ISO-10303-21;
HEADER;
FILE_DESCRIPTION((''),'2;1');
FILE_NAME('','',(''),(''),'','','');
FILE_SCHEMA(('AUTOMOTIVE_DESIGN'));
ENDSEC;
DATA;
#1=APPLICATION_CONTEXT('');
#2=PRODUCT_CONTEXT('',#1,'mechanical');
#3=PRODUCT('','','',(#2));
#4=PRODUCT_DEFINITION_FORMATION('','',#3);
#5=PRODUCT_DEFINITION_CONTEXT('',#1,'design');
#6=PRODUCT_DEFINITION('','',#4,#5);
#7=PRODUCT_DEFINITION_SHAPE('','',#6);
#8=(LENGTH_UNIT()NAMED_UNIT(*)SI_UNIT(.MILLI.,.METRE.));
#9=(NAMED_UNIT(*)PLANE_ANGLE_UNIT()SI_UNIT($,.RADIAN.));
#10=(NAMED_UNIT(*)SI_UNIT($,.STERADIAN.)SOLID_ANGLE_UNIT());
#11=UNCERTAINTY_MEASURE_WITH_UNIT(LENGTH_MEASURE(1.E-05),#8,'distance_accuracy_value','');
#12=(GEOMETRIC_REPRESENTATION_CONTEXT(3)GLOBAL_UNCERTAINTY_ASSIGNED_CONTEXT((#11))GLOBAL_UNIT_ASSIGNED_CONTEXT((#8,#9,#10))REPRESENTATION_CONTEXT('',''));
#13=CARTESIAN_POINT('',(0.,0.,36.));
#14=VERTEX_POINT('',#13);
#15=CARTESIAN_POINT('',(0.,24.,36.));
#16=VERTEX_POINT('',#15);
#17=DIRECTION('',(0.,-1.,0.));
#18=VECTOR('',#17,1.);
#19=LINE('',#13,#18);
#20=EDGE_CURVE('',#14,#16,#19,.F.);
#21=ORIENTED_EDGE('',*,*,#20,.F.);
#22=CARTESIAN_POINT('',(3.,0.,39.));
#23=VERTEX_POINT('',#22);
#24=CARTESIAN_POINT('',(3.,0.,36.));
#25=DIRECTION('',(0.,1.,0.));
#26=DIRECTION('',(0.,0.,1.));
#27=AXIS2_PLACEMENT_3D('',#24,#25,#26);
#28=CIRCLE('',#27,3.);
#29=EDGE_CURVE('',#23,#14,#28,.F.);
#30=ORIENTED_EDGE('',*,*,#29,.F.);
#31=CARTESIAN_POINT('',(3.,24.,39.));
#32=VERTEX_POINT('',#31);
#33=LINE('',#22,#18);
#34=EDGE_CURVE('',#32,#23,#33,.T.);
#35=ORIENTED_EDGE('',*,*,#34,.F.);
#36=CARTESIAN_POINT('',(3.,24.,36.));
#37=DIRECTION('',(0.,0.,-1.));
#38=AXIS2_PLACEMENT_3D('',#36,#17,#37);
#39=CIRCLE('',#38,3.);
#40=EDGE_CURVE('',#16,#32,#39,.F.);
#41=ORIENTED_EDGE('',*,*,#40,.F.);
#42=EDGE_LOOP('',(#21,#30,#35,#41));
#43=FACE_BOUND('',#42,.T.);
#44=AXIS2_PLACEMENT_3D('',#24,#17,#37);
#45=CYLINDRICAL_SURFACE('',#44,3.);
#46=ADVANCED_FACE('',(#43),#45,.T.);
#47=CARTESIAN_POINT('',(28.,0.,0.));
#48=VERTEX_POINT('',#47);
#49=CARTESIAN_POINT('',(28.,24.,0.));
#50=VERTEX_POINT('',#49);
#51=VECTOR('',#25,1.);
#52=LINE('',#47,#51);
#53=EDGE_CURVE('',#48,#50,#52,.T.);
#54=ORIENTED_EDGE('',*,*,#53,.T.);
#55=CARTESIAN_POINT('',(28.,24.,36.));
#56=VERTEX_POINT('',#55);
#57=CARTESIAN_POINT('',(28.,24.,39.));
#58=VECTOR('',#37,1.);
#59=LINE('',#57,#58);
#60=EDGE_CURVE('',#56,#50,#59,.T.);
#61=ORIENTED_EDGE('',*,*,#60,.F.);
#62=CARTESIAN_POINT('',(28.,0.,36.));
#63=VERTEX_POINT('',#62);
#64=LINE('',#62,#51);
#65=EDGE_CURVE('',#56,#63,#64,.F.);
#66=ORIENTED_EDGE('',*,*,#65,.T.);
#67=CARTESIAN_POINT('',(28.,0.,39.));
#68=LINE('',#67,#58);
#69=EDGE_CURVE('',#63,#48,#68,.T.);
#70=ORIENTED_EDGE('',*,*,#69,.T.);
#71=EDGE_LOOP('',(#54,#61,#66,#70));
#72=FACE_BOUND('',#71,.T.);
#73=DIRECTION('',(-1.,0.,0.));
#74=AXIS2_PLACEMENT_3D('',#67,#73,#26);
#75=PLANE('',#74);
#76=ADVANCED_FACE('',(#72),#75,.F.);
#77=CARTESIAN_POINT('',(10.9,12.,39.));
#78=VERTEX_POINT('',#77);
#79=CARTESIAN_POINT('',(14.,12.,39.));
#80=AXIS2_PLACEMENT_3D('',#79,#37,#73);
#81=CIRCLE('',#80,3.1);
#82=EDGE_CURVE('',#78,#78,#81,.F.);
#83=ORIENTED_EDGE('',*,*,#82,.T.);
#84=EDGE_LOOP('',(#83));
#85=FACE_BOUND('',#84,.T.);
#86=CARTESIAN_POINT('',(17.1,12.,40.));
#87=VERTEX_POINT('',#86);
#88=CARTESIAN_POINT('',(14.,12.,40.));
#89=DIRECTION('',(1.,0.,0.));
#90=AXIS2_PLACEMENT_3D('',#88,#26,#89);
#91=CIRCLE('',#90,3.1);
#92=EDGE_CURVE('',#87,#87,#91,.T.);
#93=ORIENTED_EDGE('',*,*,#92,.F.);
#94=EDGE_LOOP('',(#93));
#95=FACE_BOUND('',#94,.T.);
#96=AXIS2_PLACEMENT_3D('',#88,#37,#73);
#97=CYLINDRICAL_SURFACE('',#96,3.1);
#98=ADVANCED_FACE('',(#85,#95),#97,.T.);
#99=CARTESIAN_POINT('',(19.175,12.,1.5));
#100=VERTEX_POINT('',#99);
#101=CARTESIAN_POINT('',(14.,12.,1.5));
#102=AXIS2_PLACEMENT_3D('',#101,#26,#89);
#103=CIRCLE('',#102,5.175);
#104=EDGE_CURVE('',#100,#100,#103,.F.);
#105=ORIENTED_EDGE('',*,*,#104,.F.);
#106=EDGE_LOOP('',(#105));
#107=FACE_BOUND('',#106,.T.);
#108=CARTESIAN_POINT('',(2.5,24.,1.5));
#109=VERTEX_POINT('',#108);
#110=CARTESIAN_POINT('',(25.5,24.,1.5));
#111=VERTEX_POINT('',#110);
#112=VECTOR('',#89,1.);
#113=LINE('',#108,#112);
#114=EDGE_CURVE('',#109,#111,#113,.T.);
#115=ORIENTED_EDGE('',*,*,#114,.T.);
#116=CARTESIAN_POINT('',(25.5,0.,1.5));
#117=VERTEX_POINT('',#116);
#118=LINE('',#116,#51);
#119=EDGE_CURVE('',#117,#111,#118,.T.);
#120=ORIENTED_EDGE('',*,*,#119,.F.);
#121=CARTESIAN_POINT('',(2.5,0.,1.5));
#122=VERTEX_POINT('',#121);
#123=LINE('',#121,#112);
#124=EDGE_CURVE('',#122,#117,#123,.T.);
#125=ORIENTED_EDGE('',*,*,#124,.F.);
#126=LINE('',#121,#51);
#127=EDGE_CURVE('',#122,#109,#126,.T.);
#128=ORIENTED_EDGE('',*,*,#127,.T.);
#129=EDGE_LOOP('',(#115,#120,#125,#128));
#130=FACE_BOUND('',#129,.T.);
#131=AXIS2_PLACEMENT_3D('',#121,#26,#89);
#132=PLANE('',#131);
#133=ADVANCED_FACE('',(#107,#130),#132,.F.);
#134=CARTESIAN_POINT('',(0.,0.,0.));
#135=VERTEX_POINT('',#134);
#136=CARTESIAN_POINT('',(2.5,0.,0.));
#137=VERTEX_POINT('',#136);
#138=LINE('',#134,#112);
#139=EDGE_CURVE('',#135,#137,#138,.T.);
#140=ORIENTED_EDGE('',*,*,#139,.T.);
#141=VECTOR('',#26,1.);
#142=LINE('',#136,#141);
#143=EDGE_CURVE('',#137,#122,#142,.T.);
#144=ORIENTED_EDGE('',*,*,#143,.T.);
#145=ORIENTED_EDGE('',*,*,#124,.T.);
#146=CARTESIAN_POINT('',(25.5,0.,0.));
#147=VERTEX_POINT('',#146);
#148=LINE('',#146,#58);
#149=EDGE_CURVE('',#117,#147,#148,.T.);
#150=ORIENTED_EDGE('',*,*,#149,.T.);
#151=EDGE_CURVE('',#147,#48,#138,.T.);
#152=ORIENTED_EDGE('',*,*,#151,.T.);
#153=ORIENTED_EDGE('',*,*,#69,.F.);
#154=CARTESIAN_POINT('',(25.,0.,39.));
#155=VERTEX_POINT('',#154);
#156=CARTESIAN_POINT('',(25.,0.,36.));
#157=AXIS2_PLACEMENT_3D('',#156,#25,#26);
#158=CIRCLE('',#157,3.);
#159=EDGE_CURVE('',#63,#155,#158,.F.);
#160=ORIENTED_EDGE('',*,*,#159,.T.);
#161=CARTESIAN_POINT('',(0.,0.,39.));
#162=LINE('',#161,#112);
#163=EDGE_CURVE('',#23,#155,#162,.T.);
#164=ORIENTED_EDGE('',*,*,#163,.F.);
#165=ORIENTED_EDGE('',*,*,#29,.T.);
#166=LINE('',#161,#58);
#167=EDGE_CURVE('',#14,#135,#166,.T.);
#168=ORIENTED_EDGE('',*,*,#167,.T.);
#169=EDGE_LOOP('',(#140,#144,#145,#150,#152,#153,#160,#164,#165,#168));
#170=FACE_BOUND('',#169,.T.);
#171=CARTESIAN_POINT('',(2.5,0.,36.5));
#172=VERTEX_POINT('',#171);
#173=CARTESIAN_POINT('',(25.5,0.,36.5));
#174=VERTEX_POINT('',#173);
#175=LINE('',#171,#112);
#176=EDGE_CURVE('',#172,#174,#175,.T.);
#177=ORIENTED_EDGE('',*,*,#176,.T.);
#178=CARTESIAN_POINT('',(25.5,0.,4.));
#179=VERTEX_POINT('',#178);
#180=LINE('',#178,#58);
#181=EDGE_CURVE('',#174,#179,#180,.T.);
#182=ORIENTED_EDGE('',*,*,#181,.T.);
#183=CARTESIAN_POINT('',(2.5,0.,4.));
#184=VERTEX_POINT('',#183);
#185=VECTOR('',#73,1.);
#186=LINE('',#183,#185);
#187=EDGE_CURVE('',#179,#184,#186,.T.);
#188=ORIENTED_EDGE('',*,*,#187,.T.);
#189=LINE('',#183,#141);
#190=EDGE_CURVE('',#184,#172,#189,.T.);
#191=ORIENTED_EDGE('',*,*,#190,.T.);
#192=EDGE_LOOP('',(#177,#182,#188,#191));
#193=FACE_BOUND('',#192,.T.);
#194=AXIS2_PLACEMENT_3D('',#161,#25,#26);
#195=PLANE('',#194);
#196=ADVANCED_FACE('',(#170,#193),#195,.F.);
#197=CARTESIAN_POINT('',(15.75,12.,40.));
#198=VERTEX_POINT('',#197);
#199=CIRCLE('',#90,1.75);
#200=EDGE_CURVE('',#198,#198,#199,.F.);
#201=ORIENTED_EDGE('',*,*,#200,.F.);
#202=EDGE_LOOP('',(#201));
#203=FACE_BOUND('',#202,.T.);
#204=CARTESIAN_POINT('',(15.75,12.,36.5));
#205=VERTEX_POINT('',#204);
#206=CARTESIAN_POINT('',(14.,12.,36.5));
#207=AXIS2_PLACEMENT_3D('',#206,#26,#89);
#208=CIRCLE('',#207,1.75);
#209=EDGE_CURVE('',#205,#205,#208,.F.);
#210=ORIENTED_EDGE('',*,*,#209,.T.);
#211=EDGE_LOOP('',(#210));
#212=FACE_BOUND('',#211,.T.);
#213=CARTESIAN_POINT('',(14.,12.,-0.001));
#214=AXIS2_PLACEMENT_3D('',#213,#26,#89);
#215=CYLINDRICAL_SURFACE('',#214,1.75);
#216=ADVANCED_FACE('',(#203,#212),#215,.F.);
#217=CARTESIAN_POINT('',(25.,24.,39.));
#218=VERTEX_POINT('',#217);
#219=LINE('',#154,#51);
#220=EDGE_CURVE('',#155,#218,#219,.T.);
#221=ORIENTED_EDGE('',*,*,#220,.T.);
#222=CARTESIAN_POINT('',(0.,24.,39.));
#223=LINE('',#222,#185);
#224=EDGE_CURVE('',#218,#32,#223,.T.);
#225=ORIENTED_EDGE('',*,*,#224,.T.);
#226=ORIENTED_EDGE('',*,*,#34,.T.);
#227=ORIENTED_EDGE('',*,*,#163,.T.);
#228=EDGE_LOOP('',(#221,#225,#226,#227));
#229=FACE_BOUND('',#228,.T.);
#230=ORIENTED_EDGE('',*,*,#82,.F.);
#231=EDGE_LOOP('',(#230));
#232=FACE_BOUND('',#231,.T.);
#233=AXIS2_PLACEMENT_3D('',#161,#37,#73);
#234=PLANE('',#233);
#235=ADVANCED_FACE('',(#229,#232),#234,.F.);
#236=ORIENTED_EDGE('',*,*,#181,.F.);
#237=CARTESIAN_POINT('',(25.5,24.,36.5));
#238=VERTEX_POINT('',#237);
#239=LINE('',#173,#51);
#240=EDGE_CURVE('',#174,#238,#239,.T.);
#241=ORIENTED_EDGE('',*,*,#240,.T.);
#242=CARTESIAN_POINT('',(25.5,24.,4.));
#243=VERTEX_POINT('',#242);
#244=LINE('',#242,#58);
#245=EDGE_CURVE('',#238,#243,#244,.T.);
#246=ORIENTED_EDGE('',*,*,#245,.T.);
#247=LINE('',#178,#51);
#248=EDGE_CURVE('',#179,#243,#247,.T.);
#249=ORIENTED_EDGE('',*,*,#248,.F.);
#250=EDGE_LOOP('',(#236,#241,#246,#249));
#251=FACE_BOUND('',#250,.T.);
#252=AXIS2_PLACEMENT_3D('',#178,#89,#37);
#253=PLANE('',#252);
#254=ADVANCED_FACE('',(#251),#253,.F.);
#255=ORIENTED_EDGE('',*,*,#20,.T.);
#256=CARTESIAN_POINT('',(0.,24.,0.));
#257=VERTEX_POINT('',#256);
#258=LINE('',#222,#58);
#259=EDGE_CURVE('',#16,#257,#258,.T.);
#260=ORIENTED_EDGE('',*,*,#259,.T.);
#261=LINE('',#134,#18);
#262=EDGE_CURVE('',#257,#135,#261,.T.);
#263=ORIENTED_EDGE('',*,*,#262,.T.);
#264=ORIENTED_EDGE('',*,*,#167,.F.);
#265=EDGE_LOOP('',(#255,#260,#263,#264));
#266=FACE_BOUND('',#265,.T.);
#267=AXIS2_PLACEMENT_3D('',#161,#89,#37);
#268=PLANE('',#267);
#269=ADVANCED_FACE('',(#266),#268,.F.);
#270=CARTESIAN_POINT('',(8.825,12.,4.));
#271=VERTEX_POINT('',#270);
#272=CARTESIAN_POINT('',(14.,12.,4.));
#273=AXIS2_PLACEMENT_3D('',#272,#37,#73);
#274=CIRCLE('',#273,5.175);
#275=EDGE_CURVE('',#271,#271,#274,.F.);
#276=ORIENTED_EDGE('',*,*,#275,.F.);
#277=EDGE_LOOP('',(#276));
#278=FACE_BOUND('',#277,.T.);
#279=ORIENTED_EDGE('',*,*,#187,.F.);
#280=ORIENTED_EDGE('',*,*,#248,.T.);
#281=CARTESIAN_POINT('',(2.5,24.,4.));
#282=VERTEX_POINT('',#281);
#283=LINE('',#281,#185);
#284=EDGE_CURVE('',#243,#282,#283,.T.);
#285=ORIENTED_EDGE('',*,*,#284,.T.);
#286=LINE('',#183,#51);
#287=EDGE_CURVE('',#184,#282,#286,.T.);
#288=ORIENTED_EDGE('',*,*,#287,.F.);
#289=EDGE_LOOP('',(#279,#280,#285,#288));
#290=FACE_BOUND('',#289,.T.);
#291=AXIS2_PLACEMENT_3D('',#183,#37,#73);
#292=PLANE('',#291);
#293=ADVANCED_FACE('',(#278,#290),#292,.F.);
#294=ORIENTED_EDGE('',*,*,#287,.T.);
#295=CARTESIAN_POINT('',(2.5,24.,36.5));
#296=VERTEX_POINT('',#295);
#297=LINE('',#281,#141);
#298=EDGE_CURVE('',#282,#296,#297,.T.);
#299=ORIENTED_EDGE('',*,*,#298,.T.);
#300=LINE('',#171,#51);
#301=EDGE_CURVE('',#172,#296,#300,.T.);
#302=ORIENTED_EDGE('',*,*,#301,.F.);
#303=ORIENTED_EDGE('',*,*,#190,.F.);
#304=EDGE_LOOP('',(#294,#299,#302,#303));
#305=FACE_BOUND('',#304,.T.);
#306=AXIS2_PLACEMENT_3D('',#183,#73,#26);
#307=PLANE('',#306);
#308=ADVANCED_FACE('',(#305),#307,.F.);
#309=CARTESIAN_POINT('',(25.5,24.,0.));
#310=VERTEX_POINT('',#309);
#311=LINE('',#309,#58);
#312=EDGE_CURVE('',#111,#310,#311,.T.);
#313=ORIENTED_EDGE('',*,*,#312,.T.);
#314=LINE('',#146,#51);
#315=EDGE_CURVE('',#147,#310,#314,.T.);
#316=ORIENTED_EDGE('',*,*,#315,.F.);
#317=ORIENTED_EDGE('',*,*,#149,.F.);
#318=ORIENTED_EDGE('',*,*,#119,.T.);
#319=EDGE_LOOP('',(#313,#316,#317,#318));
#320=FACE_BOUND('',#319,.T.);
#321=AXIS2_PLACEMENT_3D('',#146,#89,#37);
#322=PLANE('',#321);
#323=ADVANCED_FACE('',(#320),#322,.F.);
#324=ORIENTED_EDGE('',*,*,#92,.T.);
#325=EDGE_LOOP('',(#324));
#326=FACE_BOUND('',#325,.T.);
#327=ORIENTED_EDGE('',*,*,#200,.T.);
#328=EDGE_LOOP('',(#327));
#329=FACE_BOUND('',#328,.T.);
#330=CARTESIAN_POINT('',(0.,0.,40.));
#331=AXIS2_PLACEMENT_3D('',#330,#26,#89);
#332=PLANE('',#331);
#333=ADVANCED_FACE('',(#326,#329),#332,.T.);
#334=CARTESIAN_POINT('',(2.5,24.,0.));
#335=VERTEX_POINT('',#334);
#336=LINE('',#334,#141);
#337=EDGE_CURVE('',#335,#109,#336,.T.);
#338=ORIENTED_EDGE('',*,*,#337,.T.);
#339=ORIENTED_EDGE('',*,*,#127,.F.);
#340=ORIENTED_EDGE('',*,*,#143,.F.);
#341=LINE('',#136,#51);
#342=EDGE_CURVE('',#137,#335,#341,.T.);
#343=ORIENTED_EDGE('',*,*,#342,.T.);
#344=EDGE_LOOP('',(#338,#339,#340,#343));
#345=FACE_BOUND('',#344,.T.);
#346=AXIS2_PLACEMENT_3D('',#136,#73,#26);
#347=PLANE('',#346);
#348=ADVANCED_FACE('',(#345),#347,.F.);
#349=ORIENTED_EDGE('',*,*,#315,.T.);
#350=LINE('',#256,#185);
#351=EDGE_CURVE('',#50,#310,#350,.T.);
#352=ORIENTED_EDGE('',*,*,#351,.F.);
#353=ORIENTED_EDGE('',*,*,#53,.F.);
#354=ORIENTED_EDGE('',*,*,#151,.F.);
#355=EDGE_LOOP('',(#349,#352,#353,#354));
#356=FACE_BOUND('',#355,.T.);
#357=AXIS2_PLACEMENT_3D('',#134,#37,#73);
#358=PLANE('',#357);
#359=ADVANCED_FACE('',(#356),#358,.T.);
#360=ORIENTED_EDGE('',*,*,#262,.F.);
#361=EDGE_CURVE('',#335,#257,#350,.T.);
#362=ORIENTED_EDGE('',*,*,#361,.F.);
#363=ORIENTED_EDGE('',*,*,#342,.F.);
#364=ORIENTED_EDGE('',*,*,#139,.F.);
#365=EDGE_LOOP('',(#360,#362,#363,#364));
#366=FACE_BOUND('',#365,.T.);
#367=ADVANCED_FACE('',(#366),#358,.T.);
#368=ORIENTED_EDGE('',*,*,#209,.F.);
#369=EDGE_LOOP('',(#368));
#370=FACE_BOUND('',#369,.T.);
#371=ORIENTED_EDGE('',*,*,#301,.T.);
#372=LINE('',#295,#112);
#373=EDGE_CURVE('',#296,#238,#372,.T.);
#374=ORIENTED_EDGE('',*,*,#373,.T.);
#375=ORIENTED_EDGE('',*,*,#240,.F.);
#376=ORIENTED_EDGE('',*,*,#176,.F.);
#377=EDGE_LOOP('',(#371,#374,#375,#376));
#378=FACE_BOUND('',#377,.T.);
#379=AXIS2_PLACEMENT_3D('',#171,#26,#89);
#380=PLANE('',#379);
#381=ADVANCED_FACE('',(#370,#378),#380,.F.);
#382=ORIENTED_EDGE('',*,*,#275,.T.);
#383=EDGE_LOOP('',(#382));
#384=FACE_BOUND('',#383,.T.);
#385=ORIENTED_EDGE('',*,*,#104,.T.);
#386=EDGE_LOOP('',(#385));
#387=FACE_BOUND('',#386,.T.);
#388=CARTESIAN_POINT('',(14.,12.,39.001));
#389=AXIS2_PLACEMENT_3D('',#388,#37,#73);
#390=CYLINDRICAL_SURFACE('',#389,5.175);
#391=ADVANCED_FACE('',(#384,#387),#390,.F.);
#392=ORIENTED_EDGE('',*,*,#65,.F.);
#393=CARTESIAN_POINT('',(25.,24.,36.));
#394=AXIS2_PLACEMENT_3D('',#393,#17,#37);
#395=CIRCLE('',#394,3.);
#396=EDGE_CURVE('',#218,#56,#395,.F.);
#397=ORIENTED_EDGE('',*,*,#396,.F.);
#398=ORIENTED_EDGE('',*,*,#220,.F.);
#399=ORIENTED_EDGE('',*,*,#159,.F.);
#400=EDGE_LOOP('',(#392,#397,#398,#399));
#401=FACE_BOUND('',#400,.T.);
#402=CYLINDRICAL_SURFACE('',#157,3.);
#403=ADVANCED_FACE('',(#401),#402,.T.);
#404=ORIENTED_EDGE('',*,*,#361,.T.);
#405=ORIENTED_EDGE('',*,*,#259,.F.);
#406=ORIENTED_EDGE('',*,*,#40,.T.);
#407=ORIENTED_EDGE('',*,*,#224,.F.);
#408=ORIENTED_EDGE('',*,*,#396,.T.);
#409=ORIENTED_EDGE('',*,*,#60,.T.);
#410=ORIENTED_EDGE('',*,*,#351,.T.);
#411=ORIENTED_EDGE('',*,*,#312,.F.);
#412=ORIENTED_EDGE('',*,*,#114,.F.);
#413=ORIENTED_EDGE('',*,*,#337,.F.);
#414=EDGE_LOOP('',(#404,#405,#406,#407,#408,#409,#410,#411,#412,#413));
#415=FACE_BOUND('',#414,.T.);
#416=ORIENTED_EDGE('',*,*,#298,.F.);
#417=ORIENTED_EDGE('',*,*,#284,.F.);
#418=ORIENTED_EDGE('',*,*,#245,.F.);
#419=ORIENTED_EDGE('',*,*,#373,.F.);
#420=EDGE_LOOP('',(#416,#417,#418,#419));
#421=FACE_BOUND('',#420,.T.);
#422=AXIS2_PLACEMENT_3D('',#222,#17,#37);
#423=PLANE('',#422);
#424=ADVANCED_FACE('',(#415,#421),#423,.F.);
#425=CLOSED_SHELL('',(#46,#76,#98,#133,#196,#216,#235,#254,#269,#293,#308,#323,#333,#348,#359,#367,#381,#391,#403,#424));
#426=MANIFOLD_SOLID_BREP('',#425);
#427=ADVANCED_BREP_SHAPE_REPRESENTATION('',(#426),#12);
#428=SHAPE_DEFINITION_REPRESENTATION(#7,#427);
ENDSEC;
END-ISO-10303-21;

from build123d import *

# Parameters (mm, degrees)
SKETCH1_W           = 28
SKETCH1_H           = 24
BOSS_EXTRUDE1_DEPTH = 39
SKETCH2_W           = 23
SKETCH2_H           = 32.5
SKETCH2_H_2         = 1.5
CUT_EXTRUDE1_DEPTH  = 25
CUT_EXTRUDE2_REACH  = 41
SKETCH3_R           = 5.175
CUT_EXTRUDE3_REACH  = 41
SKETCH4_R           = 1.75
FILLET1_R           = 3
SKETCH5_R           = 3.1
SKETCH5_R_2         = 1.75
BOSS_EXTRUDE2_DEPTH = 1


with BuildPart() as part:
    # Sketch1 → Boss-Extrude1 (new body)
    with BuildSketch(Plane.XY):
        with Locations((14, 12)):
            Rectangle(SKETCH1_W, SKETCH1_H)
    extrude(amount=BOSS_EXTRUDE1_DEPTH)

    # Sketch2 → Cut-Extrude1 (cut, through all)
    with BuildSketch(Plane(origin=(0, 24, 0), x_dir=(1, 0, 0), z_dir=(0, 1, 0))):
        with Locations((14, -20.25)):
            Rectangle(SKETCH2_W, SKETCH2_H)
        with Locations((14, -0.75)):
            Rectangle(SKETCH2_W, SKETCH2_H_2)
    extrude(amount=-CUT_EXTRUDE1_DEPTH, mode=Mode.SUBTRACT)

    # Sketch3 → Cut-Extrude2 (cut, up to next)
    with BuildSketch(Plane(origin=(0, 0, 0), x_dir=(-1, 0, 0), z_dir=(0, 0, -1)), mode=Mode.PRIVATE) as cut_extrude2_sk1:
        with Locations((-14, 12)):
            Circle(SKETCH3_R)
    cut_extrude2_tool1 = extrude(cut_extrude2_sk1.sketch, amount=-CUT_EXTRUDE2_REACH, mode=Mode.PRIVATE) & part.part
    add(cut_extrude2_tool1.solids().sort_by_distance((14, 12, 0))[0], mode=Mode.SUBTRACT)

    # Sketch4 → Cut-Extrude3 (cut, up to next)
    with BuildSketch(Plane.XY.offset(39), mode=Mode.PRIVATE) as cut_extrude3_sk1:
        with Locations((14, 12)):
            Circle(SKETCH4_R)
    cut_extrude3_tool1 = extrude(cut_extrude3_sk1.sketch, amount=-CUT_EXTRUDE3_REACH, mode=Mode.PRIVATE) & part.part
    add(cut_extrude3_tool1.solids().sort_by_distance((14, 12, 39))[0], mode=Mode.SUBTRACT)

    # Fillet1
    fillet1_edges = [part.edges().sort_by_distance(p)[0] for p in [
        (28, 12, 39),
        (0, 12, 39),
    ]]
    fillet(fillet1_edges, radius=FILLET1_R)

    # Sketch5 → Boss-Extrude2 (add)
    with BuildSketch(Plane.XY.offset(39)):
        with Locations((14, 12)):
            Circle(SKETCH5_R)
        with Locations((14, 12)):
            Circle(SKETCH5_R_2, mode=Mode.SUBTRACT)
    extrude(amount=BOSS_EXTRUDE2_DEPTH)


solid = part.part
